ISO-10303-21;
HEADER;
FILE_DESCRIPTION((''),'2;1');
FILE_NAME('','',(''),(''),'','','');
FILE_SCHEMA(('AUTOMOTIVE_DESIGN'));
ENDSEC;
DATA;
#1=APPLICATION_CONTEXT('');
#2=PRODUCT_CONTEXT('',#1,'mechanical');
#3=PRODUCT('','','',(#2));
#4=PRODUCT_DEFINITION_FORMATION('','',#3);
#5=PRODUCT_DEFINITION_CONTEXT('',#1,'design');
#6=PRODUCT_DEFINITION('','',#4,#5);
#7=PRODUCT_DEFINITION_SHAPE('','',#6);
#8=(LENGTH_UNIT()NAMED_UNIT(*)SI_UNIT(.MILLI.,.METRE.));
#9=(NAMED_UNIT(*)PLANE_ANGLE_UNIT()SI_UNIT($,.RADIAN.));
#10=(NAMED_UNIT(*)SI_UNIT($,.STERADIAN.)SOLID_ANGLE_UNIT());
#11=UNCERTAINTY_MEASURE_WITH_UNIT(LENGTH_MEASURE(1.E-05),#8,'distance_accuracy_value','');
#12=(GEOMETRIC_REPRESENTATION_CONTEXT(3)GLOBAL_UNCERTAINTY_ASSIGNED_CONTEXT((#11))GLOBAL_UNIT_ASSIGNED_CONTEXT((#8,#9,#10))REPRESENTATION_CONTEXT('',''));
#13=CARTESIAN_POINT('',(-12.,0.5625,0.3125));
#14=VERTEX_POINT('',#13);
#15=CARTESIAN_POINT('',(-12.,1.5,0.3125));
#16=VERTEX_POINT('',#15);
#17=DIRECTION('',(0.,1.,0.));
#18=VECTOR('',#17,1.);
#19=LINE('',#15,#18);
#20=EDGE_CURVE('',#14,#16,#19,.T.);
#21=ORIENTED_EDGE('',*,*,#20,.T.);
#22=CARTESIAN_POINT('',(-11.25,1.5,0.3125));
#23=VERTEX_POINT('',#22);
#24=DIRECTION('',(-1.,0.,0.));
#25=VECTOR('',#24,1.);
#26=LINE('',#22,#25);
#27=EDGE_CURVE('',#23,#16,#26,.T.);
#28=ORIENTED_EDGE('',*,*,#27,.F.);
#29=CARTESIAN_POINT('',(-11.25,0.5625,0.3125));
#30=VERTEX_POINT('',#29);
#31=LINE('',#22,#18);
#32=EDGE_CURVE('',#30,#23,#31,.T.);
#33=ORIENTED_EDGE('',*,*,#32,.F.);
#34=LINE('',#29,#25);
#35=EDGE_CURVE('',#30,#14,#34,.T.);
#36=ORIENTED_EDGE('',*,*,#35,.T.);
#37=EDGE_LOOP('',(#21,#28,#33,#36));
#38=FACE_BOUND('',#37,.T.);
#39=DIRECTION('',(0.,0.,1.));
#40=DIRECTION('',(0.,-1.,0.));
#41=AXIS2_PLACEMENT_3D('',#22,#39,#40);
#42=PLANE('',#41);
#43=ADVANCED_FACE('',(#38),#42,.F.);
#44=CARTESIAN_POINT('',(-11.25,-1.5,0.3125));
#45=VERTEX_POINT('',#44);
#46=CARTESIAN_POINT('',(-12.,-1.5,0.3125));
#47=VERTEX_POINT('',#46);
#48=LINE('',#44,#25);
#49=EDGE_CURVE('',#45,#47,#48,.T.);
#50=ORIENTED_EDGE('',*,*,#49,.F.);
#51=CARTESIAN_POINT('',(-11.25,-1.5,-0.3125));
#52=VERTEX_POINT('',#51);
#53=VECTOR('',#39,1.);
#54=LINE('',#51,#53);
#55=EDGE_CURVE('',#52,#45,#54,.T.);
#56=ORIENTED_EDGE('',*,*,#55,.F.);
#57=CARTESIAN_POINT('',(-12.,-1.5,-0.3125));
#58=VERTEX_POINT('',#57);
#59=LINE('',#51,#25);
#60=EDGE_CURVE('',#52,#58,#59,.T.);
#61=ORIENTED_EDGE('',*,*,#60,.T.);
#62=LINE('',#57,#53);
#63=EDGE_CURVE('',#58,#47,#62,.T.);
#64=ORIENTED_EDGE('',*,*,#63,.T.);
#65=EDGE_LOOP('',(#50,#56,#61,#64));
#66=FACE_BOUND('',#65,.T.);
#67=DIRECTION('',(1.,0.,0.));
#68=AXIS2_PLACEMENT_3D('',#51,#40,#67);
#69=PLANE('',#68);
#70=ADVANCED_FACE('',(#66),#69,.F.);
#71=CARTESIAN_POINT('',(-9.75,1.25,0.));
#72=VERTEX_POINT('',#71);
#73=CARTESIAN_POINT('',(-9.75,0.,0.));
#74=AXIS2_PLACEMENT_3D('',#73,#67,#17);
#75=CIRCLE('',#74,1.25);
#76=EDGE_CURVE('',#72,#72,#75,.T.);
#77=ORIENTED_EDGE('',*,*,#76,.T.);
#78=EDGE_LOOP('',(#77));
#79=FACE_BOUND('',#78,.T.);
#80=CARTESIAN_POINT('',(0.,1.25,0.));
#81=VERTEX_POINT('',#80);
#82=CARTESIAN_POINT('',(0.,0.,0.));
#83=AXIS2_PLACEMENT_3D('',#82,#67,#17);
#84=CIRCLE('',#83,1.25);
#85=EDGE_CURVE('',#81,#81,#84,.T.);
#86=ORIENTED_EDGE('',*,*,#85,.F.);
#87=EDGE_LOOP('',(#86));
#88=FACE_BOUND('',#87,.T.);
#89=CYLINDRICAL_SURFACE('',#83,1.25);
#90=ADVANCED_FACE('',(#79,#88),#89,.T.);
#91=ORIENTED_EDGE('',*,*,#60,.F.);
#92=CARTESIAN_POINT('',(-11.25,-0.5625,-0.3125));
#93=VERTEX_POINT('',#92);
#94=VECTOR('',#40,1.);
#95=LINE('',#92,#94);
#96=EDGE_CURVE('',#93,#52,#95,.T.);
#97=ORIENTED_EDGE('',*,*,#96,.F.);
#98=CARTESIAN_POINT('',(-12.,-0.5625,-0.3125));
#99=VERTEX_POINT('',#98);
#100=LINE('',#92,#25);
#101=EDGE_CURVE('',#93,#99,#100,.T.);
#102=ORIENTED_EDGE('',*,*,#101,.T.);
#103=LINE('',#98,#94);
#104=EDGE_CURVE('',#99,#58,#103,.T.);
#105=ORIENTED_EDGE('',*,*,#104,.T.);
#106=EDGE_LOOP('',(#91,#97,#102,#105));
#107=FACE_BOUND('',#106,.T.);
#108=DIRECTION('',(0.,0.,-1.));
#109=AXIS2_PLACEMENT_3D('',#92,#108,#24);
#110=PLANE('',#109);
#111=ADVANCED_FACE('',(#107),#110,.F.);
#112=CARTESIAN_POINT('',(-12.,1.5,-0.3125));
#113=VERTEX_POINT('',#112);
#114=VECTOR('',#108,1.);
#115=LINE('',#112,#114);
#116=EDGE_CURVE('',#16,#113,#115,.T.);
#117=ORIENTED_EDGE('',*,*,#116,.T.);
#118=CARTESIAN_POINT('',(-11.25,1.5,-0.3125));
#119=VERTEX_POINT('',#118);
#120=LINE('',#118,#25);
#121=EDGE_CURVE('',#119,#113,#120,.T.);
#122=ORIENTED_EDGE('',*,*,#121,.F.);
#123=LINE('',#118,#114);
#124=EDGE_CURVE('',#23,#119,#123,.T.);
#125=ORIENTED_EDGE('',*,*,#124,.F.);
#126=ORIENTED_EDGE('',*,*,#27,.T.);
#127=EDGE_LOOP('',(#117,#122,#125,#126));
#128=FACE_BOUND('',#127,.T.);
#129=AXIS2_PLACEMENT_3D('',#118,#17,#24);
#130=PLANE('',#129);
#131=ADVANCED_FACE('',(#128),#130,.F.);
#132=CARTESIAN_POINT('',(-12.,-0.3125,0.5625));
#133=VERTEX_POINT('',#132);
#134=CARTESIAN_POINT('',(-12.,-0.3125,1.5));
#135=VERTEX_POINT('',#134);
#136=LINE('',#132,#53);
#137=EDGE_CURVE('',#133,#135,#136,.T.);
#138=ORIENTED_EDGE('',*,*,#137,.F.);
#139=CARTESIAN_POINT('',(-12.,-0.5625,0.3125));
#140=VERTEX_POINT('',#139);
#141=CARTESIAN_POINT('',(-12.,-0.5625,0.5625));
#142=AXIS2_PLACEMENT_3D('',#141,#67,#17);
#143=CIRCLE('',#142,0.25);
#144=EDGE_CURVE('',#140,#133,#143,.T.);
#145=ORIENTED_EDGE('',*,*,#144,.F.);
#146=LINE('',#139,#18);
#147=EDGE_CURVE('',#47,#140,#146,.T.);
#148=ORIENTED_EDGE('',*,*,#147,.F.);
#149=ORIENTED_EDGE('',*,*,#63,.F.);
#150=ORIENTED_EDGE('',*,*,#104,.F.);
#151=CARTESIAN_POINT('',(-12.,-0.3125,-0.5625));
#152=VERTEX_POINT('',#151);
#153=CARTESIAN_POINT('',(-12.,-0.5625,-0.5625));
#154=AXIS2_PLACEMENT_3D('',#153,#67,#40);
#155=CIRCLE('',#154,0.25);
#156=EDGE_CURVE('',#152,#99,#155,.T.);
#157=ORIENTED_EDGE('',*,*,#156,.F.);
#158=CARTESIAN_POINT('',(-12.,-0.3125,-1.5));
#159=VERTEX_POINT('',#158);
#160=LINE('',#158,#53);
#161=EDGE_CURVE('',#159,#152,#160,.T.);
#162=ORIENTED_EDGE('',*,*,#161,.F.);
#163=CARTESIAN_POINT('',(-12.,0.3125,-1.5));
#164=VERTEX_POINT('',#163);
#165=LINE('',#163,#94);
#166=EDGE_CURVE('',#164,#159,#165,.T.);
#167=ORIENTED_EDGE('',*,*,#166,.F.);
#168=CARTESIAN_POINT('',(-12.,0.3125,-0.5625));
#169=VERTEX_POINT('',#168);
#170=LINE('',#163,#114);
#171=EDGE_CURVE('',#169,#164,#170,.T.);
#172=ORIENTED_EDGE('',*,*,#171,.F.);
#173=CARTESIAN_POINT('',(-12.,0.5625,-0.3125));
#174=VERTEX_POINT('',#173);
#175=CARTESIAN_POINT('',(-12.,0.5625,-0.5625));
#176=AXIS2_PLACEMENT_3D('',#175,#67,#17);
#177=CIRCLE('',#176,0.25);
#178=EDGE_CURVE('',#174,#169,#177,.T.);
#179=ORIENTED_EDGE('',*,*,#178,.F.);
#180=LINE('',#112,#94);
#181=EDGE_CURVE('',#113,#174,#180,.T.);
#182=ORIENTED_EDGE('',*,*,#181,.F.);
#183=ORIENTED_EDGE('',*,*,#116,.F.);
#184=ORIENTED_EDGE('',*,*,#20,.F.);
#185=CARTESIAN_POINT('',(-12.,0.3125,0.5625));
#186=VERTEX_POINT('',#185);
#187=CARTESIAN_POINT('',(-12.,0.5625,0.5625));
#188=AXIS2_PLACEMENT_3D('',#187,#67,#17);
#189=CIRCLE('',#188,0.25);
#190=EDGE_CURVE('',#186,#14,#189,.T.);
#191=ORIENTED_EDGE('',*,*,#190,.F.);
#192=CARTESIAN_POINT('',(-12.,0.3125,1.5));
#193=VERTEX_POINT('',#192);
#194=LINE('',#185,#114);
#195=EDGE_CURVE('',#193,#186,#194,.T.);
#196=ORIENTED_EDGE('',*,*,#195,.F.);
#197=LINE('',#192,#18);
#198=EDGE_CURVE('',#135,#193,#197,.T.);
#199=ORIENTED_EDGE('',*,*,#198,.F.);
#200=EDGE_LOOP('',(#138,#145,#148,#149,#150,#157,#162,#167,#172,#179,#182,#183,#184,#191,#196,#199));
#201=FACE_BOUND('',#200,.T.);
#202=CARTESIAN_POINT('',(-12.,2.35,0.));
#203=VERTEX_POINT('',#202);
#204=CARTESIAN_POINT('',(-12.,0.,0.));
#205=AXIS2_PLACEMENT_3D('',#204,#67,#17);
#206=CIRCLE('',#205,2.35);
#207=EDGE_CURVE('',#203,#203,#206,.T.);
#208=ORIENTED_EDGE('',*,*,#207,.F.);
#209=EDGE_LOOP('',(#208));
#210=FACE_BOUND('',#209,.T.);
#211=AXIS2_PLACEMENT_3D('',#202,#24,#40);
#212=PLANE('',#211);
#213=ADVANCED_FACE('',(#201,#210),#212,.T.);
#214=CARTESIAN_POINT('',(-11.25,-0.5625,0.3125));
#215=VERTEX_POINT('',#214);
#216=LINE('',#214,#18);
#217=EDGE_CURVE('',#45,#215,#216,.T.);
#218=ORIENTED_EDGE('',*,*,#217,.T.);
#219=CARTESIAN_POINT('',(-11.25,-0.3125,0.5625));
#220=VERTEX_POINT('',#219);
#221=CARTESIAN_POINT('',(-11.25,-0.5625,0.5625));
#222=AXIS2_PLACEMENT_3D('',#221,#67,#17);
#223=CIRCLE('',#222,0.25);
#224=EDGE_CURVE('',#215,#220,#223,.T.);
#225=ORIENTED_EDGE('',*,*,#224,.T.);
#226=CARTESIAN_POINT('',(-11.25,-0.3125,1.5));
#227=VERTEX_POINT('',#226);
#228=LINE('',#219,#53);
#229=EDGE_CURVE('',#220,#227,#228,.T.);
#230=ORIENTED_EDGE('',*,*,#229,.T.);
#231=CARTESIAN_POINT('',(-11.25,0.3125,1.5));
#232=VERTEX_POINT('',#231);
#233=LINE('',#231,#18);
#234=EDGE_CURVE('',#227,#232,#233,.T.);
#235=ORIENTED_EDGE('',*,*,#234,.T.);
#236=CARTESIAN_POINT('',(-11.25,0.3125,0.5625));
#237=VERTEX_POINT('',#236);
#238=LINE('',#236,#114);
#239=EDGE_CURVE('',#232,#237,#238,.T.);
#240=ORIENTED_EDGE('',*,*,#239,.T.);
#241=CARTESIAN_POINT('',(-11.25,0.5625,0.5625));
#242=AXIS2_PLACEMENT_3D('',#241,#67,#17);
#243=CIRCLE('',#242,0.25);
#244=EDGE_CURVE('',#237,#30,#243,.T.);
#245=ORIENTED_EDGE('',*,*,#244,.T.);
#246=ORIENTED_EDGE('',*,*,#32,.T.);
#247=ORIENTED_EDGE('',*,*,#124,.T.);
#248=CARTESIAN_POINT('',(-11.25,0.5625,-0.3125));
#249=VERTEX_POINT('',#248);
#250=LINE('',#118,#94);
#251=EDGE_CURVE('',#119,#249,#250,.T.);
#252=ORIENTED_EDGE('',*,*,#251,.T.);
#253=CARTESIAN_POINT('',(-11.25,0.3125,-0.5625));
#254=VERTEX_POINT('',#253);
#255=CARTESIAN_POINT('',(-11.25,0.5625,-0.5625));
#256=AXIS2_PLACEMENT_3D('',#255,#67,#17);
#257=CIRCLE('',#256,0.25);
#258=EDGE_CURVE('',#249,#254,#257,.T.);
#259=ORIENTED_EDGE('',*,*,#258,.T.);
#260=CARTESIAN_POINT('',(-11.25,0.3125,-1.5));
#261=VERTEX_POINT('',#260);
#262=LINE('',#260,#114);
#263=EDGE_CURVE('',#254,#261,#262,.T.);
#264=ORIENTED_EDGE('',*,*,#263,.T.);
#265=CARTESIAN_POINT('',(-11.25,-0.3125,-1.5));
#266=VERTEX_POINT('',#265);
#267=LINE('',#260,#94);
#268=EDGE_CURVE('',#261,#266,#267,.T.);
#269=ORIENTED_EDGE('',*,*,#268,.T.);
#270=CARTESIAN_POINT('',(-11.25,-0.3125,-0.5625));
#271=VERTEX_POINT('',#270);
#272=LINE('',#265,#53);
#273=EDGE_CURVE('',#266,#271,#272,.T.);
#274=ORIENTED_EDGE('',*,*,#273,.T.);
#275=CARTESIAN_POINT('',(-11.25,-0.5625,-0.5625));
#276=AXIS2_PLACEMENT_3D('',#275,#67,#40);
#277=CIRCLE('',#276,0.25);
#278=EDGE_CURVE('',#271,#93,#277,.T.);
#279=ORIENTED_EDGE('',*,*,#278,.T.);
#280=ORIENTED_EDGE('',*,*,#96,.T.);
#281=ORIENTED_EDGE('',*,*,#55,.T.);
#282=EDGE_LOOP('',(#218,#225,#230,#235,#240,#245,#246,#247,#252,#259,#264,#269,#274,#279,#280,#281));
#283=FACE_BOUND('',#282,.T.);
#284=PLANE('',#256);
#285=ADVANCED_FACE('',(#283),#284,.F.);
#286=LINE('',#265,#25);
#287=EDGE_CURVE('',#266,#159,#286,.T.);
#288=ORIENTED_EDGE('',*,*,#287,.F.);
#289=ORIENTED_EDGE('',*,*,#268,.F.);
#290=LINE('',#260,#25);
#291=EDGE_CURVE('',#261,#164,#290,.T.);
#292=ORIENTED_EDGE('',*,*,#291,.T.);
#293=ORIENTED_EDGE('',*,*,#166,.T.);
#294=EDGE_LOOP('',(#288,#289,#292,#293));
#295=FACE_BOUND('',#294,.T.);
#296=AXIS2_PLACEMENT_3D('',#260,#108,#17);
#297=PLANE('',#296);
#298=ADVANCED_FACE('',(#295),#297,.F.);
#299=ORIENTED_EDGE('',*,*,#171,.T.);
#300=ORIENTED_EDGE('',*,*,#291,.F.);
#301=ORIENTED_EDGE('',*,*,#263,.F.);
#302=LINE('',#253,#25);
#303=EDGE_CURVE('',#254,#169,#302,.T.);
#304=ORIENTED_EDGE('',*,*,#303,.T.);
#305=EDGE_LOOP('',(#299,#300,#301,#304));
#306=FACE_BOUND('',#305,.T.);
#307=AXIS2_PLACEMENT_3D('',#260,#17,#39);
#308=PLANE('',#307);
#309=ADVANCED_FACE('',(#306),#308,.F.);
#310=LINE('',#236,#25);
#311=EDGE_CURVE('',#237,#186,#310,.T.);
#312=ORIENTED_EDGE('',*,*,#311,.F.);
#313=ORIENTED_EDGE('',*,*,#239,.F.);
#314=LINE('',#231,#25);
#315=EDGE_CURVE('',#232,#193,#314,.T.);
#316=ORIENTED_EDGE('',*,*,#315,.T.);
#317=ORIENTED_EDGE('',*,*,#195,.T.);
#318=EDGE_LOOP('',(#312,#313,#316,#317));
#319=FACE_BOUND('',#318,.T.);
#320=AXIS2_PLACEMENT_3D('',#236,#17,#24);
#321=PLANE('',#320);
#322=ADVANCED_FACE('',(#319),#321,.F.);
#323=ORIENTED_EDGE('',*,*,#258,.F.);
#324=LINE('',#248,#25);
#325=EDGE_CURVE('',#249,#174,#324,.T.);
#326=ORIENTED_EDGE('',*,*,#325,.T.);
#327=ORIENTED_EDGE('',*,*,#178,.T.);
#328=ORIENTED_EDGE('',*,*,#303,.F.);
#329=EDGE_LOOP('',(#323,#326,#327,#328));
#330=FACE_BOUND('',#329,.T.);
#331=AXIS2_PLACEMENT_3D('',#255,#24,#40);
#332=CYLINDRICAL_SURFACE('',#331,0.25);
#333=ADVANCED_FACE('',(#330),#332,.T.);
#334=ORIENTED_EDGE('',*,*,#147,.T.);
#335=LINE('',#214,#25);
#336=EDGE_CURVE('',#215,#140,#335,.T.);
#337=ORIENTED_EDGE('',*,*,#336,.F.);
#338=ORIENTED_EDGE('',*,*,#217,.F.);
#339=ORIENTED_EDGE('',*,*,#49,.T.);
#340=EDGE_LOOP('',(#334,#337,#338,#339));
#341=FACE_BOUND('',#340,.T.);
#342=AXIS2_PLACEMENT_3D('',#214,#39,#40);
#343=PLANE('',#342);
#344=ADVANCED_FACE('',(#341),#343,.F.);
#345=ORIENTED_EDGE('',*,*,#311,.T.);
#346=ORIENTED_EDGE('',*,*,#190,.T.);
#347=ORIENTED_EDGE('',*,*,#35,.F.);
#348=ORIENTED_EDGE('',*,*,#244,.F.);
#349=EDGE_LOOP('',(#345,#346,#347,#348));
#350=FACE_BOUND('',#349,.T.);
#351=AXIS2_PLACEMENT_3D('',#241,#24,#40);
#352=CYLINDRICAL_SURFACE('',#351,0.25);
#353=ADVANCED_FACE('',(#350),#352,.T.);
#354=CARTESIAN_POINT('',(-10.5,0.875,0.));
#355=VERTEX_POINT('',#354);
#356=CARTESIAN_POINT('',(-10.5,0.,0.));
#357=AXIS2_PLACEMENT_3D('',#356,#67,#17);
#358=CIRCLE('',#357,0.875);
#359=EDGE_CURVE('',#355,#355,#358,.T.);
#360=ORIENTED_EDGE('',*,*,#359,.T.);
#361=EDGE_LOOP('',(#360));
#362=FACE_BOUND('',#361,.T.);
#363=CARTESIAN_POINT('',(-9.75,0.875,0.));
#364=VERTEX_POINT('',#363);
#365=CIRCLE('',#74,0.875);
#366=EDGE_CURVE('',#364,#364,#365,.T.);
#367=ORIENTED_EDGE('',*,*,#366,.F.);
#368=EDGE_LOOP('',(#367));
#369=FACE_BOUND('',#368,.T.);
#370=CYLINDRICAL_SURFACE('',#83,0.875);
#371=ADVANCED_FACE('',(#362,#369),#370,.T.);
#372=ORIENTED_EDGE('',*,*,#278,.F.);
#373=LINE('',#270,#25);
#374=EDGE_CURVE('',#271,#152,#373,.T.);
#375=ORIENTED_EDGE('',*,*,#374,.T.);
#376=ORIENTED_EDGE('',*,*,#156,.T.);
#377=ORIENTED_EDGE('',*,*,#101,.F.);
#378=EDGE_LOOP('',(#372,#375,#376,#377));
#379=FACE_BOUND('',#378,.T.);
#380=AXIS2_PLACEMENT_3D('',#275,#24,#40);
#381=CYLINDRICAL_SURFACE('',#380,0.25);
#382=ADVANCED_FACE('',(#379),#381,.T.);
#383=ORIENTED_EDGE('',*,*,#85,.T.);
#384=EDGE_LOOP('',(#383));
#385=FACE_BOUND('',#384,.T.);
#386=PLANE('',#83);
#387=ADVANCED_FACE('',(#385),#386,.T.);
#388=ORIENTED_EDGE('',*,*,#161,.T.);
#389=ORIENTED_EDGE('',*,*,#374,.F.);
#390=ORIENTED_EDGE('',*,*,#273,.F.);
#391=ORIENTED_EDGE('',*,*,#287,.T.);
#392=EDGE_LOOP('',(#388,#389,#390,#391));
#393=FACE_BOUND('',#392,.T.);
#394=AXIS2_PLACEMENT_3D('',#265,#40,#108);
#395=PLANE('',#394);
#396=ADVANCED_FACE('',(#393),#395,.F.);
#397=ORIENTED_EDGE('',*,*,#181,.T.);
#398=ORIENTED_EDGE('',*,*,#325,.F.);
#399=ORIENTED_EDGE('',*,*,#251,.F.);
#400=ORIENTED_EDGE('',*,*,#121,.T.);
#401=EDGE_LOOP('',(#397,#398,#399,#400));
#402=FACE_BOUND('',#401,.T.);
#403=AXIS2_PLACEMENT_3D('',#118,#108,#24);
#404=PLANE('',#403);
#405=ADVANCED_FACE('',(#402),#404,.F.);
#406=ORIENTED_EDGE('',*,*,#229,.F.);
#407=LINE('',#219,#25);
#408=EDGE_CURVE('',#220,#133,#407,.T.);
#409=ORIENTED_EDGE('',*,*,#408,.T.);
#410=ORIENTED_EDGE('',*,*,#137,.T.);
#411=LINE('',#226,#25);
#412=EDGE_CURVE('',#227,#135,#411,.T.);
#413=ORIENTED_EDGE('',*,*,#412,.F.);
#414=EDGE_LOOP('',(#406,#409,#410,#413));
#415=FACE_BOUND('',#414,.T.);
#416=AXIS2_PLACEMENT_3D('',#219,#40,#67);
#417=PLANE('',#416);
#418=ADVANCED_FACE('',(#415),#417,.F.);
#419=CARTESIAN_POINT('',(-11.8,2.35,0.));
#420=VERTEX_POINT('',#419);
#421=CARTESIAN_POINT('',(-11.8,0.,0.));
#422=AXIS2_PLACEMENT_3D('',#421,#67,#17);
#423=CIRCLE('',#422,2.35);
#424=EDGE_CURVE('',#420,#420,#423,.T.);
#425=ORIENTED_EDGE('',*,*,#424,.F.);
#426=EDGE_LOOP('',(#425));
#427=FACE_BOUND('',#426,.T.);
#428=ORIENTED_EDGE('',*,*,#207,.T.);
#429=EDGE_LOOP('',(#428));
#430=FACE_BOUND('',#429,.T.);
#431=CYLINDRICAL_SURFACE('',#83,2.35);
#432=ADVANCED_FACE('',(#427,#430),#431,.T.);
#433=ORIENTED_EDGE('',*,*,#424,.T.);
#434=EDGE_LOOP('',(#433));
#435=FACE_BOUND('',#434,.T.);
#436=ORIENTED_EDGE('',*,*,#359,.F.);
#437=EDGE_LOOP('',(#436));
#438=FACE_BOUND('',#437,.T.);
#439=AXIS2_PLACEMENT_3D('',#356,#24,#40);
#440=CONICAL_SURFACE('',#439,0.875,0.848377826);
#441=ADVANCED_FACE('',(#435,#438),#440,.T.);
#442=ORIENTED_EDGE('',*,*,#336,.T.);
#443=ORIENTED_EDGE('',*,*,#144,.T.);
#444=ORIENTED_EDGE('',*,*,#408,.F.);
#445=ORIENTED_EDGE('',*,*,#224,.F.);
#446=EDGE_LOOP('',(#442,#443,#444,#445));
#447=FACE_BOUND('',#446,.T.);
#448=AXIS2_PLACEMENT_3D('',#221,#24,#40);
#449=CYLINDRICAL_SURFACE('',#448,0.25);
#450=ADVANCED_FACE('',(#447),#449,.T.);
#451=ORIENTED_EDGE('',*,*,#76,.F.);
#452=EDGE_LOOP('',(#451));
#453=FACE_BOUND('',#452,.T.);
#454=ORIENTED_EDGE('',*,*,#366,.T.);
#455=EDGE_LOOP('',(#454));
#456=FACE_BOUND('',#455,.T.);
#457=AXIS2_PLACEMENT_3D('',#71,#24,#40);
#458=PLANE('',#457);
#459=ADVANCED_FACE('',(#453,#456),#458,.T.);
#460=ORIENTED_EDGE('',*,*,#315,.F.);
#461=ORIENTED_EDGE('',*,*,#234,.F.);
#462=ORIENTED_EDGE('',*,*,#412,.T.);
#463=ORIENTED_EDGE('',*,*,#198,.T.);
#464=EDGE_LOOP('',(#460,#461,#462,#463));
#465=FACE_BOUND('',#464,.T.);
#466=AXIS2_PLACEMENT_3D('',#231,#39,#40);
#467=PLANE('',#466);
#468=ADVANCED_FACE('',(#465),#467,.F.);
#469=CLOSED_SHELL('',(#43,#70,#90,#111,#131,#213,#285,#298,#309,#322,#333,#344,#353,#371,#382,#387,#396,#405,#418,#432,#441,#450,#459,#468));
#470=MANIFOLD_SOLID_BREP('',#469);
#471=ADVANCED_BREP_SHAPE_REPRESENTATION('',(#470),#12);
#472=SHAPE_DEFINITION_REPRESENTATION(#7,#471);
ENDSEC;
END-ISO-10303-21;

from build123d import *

# Parameters (mm, degrees)
CUT_EXTRUDE_1_DEPTH = 0.75


with BuildPart() as part:
    # 草图1 → 旋转1 (revolve)
    with BuildSketch(Plane.XY):
        Polygon((0, 0), (0, 1.25), (-9.75, 1.25), (-9.75, 0.875), (-10.5, 0.875), (-11.8, 2.35), (-12, 2.35), (-12, 0), align=None)
    revolve(axis=Axis((0, 0, 0), (-1, 0, 0)))

    # 草图2 → 切除-拉伸1 (cut)
    with BuildSketch(Plane.ZY.offset(12)):
        with BuildLine():
            Line((-0.3125, 1.5), (0.3125, 1.5))
            Line((0.3125, 1.5), (0.3125, 0.5625))
            ThreePointArc((0.3125, 0.5625), (0.385723305, 0.385723305), (0.5625, 0.3125))
            Line((0.5625, 0.3125), (1.5, 0.3125))
            Line((1.5, 0.3125), (1.5, -0.3125))
            Line((1.5, -0.3125), (0.5625, -0.3125))
            ThreePointArc((0.5625, -0.3125), (0.385723305, -0.385723305), (0.3125, -0.5625))
            Line((0.3125, -0.5625), (0.3125, -1.5))
            Line((0.3125, -1.5), (-0.3125, -1.5))
            Line((-0.3125, -1.5), (-0.3125, -0.5625))
            ThreePointArc((-0.3125, -0.5625), (-0.385723305, -0.385723305), (-0.5625, -0.3125))
            Line((-0.5625, -0.3125), (-1.5, -0.3125))
            Line((-1.5, -0.3125), (-1.5, 0.3125))
            Line((-1.5, 0.3125), (-0.5625, 0.3125))
            ThreePointArc((-0.5625, 0.3125), (-0.385723305, 0.385723305), (-0.3125, 0.5625))
            Line((-0.3125, 0.5625), (-0.3125, 1.5))
        make_face()
    extrude(amount=-CUT_EXTRUDE_1_DEPTH, mode=Mode.SUBTRACT)


solid = part.part
